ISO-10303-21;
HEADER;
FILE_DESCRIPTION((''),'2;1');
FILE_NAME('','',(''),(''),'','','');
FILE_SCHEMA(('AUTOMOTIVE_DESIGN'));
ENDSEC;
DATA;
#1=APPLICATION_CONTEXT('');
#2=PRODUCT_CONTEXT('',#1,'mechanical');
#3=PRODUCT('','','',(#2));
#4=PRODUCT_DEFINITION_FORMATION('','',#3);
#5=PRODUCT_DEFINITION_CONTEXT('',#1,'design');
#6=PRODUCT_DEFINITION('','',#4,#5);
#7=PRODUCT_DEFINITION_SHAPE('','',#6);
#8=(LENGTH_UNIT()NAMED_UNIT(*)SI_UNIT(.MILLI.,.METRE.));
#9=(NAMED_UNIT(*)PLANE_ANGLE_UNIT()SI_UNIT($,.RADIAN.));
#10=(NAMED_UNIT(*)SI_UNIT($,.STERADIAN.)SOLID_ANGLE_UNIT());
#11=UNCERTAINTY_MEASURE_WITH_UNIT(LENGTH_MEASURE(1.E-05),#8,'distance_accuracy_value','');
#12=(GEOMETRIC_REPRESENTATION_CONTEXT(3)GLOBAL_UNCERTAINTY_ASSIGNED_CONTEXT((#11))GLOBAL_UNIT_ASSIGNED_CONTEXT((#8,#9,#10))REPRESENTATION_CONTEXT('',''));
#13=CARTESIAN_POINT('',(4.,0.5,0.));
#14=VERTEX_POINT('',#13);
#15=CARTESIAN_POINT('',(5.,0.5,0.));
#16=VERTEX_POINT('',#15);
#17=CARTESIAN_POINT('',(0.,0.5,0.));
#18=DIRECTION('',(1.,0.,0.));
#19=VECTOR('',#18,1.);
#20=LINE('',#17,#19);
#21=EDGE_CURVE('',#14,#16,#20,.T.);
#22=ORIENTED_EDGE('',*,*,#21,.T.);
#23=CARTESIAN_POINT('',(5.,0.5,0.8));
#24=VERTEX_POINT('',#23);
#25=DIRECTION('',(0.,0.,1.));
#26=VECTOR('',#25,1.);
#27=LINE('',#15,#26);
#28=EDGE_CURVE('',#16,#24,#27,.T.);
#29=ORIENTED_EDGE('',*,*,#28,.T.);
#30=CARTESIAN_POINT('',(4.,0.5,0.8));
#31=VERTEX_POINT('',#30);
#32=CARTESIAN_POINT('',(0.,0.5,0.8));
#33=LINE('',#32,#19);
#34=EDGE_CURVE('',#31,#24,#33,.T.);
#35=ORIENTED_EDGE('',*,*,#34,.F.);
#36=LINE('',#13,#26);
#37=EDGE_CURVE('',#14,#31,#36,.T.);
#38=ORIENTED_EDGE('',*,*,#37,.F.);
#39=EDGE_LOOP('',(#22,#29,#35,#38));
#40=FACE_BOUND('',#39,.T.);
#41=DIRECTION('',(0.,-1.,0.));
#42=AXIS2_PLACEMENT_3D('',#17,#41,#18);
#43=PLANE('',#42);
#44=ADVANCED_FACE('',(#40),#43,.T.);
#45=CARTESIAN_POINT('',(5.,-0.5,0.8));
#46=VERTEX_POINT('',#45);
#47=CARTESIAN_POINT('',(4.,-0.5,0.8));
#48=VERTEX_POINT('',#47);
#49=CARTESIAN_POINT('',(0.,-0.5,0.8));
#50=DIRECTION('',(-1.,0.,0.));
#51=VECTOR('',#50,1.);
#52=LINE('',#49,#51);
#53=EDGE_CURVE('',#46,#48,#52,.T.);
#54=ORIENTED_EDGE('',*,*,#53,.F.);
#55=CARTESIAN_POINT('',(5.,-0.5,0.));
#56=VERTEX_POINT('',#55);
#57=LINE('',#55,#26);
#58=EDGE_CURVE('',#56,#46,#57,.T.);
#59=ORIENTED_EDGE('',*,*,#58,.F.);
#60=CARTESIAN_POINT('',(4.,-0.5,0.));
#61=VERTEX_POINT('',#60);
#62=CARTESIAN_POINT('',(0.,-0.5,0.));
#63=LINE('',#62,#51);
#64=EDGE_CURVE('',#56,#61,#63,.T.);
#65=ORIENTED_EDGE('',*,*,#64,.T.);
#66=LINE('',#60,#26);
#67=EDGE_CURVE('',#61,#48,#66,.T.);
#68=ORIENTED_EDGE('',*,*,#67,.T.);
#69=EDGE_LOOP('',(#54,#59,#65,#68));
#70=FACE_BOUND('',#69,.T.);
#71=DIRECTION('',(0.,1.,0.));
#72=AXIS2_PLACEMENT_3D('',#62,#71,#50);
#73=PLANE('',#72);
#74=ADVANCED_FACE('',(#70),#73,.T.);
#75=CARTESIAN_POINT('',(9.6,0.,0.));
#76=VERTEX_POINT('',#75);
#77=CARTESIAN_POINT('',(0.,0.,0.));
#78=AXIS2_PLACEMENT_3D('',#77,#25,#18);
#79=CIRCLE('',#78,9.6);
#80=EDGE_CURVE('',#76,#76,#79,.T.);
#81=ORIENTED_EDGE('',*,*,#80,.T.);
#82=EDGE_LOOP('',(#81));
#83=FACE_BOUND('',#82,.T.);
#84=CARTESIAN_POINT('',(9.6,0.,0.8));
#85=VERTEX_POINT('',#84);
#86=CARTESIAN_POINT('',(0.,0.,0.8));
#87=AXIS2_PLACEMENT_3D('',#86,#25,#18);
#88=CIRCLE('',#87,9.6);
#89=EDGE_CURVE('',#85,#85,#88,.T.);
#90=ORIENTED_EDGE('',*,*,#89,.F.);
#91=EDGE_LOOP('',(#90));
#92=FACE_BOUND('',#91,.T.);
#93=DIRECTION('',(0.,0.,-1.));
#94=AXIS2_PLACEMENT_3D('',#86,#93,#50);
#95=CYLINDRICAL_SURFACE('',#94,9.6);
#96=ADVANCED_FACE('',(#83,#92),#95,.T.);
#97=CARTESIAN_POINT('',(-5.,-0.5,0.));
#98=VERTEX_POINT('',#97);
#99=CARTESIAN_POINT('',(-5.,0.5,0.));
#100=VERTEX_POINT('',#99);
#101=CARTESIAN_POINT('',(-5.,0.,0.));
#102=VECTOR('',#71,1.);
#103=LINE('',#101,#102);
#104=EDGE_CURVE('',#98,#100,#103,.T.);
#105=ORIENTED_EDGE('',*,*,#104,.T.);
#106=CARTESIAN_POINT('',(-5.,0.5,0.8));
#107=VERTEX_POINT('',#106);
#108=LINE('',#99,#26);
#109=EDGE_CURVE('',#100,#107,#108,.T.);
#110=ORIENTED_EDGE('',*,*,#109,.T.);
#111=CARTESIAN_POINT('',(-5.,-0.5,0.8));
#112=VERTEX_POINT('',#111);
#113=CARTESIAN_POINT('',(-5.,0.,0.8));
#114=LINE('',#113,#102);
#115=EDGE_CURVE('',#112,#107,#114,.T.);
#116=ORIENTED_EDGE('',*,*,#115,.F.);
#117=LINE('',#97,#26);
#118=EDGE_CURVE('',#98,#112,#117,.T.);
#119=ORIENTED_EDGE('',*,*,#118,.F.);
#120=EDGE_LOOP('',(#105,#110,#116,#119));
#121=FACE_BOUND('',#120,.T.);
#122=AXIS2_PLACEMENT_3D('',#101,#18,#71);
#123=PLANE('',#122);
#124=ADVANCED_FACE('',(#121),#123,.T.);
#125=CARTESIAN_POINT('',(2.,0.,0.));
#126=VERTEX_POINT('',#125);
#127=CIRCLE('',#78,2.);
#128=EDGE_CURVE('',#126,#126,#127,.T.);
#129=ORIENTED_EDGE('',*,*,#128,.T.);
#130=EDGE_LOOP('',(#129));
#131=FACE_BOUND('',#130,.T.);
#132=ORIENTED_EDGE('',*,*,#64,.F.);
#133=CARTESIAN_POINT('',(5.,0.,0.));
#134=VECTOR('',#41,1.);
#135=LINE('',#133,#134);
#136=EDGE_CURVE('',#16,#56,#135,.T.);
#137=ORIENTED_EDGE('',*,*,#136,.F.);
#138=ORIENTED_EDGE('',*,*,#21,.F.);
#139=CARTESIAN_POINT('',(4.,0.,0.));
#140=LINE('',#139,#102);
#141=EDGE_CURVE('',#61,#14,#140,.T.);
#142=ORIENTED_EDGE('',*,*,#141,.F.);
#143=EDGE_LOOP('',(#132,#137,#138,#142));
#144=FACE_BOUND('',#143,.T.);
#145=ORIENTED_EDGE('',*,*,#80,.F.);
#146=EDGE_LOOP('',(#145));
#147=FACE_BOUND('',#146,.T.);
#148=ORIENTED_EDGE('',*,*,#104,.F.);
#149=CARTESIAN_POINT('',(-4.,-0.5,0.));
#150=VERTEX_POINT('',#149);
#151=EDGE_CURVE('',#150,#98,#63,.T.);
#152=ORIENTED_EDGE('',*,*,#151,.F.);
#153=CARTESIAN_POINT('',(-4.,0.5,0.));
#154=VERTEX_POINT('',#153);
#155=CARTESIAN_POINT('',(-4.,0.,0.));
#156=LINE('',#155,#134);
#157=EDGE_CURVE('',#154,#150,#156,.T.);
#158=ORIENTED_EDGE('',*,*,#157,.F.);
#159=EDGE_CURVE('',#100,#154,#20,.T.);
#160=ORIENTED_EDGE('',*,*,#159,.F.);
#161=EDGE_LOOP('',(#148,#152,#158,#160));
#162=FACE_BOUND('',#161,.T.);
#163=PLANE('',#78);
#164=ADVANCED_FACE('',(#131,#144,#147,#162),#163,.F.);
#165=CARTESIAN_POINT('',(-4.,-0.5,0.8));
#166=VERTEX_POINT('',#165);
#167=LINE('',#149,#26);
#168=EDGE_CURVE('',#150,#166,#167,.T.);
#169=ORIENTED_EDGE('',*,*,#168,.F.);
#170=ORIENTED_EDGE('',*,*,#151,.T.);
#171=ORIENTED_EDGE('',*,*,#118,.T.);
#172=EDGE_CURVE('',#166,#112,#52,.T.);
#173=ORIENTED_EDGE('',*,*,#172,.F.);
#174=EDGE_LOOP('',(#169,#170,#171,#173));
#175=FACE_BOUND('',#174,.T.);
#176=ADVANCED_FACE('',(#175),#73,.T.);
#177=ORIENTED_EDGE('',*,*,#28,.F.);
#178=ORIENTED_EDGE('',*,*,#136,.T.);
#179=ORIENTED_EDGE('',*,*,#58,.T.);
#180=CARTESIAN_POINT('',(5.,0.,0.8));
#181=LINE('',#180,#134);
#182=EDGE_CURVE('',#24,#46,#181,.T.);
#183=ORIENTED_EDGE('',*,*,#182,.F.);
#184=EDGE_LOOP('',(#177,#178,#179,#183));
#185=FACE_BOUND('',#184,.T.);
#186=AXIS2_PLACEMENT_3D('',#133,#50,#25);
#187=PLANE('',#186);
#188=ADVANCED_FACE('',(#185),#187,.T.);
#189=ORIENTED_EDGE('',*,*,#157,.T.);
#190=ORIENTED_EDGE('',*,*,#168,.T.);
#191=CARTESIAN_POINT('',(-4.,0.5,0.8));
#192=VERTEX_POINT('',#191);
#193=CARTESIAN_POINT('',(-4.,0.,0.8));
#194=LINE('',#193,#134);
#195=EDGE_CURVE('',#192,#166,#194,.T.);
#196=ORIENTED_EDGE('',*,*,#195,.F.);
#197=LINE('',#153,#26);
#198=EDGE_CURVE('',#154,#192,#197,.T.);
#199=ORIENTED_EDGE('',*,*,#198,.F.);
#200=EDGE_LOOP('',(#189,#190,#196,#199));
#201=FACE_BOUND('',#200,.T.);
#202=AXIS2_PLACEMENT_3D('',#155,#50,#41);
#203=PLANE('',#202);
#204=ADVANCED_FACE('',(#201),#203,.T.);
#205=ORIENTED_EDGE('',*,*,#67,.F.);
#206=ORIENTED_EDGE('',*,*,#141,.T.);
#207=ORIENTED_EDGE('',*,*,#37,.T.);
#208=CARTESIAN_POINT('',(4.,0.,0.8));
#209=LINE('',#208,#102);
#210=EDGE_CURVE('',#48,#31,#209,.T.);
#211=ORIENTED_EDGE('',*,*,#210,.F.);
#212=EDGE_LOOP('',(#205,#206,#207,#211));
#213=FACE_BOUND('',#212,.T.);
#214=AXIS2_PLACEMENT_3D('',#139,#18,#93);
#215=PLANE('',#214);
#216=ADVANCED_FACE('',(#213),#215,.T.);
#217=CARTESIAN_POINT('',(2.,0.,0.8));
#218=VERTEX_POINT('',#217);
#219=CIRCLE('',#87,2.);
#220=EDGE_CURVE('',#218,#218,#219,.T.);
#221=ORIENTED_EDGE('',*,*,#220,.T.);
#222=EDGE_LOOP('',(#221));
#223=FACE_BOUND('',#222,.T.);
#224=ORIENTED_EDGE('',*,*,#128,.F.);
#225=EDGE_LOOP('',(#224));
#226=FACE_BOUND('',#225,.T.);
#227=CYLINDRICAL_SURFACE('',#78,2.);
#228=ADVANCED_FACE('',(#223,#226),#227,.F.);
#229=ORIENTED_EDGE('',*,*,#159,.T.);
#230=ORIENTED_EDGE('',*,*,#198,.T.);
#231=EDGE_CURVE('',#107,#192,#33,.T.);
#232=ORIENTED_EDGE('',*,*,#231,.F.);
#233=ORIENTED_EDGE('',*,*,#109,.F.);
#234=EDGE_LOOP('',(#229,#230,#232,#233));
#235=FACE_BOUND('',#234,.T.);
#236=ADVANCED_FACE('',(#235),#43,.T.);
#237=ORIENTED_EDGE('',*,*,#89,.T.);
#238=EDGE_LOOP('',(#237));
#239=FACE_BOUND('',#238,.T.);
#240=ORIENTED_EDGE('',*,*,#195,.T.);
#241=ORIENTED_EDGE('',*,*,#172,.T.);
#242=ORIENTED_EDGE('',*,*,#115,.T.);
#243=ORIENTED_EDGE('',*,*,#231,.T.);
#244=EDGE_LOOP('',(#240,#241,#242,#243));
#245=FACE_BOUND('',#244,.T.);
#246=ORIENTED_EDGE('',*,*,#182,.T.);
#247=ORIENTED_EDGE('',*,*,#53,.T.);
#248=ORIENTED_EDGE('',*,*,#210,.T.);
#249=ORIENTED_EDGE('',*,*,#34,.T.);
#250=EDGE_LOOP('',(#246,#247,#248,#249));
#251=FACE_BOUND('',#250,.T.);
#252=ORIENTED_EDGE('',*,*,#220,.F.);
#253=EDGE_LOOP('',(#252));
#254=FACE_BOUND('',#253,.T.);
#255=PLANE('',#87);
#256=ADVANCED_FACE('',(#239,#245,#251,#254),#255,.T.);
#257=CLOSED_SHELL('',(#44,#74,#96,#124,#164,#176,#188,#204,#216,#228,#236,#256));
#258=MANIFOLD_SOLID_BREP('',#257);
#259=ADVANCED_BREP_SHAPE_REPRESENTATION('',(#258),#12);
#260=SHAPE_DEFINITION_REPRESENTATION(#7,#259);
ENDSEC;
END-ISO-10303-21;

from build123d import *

# Parameters (mm, degrees)
SKETCH1_R               = 9.6
BOSS_EXTRUDE1_DEPTH     = 0.8
CUT_EXTRUDE4_START      = 0.8
SKETCH3_R               = 2
SKETCH3_W               = 1
SKETCH3_H               = 1
CUT_EXTRUDE4_DEPTH      = 1.8
CUT_EXTRUDE4_DEPTH_BACK = 1.8


with BuildPart() as part:
    # Sketch1 → Boss-Extrude1 (new body)
    with BuildSketch(Plane.XY):
        Circle(SKETCH1_R)
    extrude(amount=BOSS_EXTRUDE1_DEPTH)

    # Sketch3 → Cut-Extrude4 (cut, two sides)
    with BuildSketch(Plane.XY.offset(CUT_EXTRUDE4_START)) as cut_extrude4_sk:
        Circle(SKETCH3_R)
        with Locations((-4.5, 0)):
            Rectangle(SKETCH3_W, SKETCH3_H)
        with Locations((4.5, 0)):
            Rectangle(SKETCH3_W, SKETCH3_H)
    extrude(amount=CUT_EXTRUDE4_DEPTH, mode=Mode.SUBTRACT)
    extrude(cut_extrude4_sk.sketch, amount=-CUT_EXTRUDE4_DEPTH_BACK, mode=Mode.SUBTRACT)


solid = part.part
